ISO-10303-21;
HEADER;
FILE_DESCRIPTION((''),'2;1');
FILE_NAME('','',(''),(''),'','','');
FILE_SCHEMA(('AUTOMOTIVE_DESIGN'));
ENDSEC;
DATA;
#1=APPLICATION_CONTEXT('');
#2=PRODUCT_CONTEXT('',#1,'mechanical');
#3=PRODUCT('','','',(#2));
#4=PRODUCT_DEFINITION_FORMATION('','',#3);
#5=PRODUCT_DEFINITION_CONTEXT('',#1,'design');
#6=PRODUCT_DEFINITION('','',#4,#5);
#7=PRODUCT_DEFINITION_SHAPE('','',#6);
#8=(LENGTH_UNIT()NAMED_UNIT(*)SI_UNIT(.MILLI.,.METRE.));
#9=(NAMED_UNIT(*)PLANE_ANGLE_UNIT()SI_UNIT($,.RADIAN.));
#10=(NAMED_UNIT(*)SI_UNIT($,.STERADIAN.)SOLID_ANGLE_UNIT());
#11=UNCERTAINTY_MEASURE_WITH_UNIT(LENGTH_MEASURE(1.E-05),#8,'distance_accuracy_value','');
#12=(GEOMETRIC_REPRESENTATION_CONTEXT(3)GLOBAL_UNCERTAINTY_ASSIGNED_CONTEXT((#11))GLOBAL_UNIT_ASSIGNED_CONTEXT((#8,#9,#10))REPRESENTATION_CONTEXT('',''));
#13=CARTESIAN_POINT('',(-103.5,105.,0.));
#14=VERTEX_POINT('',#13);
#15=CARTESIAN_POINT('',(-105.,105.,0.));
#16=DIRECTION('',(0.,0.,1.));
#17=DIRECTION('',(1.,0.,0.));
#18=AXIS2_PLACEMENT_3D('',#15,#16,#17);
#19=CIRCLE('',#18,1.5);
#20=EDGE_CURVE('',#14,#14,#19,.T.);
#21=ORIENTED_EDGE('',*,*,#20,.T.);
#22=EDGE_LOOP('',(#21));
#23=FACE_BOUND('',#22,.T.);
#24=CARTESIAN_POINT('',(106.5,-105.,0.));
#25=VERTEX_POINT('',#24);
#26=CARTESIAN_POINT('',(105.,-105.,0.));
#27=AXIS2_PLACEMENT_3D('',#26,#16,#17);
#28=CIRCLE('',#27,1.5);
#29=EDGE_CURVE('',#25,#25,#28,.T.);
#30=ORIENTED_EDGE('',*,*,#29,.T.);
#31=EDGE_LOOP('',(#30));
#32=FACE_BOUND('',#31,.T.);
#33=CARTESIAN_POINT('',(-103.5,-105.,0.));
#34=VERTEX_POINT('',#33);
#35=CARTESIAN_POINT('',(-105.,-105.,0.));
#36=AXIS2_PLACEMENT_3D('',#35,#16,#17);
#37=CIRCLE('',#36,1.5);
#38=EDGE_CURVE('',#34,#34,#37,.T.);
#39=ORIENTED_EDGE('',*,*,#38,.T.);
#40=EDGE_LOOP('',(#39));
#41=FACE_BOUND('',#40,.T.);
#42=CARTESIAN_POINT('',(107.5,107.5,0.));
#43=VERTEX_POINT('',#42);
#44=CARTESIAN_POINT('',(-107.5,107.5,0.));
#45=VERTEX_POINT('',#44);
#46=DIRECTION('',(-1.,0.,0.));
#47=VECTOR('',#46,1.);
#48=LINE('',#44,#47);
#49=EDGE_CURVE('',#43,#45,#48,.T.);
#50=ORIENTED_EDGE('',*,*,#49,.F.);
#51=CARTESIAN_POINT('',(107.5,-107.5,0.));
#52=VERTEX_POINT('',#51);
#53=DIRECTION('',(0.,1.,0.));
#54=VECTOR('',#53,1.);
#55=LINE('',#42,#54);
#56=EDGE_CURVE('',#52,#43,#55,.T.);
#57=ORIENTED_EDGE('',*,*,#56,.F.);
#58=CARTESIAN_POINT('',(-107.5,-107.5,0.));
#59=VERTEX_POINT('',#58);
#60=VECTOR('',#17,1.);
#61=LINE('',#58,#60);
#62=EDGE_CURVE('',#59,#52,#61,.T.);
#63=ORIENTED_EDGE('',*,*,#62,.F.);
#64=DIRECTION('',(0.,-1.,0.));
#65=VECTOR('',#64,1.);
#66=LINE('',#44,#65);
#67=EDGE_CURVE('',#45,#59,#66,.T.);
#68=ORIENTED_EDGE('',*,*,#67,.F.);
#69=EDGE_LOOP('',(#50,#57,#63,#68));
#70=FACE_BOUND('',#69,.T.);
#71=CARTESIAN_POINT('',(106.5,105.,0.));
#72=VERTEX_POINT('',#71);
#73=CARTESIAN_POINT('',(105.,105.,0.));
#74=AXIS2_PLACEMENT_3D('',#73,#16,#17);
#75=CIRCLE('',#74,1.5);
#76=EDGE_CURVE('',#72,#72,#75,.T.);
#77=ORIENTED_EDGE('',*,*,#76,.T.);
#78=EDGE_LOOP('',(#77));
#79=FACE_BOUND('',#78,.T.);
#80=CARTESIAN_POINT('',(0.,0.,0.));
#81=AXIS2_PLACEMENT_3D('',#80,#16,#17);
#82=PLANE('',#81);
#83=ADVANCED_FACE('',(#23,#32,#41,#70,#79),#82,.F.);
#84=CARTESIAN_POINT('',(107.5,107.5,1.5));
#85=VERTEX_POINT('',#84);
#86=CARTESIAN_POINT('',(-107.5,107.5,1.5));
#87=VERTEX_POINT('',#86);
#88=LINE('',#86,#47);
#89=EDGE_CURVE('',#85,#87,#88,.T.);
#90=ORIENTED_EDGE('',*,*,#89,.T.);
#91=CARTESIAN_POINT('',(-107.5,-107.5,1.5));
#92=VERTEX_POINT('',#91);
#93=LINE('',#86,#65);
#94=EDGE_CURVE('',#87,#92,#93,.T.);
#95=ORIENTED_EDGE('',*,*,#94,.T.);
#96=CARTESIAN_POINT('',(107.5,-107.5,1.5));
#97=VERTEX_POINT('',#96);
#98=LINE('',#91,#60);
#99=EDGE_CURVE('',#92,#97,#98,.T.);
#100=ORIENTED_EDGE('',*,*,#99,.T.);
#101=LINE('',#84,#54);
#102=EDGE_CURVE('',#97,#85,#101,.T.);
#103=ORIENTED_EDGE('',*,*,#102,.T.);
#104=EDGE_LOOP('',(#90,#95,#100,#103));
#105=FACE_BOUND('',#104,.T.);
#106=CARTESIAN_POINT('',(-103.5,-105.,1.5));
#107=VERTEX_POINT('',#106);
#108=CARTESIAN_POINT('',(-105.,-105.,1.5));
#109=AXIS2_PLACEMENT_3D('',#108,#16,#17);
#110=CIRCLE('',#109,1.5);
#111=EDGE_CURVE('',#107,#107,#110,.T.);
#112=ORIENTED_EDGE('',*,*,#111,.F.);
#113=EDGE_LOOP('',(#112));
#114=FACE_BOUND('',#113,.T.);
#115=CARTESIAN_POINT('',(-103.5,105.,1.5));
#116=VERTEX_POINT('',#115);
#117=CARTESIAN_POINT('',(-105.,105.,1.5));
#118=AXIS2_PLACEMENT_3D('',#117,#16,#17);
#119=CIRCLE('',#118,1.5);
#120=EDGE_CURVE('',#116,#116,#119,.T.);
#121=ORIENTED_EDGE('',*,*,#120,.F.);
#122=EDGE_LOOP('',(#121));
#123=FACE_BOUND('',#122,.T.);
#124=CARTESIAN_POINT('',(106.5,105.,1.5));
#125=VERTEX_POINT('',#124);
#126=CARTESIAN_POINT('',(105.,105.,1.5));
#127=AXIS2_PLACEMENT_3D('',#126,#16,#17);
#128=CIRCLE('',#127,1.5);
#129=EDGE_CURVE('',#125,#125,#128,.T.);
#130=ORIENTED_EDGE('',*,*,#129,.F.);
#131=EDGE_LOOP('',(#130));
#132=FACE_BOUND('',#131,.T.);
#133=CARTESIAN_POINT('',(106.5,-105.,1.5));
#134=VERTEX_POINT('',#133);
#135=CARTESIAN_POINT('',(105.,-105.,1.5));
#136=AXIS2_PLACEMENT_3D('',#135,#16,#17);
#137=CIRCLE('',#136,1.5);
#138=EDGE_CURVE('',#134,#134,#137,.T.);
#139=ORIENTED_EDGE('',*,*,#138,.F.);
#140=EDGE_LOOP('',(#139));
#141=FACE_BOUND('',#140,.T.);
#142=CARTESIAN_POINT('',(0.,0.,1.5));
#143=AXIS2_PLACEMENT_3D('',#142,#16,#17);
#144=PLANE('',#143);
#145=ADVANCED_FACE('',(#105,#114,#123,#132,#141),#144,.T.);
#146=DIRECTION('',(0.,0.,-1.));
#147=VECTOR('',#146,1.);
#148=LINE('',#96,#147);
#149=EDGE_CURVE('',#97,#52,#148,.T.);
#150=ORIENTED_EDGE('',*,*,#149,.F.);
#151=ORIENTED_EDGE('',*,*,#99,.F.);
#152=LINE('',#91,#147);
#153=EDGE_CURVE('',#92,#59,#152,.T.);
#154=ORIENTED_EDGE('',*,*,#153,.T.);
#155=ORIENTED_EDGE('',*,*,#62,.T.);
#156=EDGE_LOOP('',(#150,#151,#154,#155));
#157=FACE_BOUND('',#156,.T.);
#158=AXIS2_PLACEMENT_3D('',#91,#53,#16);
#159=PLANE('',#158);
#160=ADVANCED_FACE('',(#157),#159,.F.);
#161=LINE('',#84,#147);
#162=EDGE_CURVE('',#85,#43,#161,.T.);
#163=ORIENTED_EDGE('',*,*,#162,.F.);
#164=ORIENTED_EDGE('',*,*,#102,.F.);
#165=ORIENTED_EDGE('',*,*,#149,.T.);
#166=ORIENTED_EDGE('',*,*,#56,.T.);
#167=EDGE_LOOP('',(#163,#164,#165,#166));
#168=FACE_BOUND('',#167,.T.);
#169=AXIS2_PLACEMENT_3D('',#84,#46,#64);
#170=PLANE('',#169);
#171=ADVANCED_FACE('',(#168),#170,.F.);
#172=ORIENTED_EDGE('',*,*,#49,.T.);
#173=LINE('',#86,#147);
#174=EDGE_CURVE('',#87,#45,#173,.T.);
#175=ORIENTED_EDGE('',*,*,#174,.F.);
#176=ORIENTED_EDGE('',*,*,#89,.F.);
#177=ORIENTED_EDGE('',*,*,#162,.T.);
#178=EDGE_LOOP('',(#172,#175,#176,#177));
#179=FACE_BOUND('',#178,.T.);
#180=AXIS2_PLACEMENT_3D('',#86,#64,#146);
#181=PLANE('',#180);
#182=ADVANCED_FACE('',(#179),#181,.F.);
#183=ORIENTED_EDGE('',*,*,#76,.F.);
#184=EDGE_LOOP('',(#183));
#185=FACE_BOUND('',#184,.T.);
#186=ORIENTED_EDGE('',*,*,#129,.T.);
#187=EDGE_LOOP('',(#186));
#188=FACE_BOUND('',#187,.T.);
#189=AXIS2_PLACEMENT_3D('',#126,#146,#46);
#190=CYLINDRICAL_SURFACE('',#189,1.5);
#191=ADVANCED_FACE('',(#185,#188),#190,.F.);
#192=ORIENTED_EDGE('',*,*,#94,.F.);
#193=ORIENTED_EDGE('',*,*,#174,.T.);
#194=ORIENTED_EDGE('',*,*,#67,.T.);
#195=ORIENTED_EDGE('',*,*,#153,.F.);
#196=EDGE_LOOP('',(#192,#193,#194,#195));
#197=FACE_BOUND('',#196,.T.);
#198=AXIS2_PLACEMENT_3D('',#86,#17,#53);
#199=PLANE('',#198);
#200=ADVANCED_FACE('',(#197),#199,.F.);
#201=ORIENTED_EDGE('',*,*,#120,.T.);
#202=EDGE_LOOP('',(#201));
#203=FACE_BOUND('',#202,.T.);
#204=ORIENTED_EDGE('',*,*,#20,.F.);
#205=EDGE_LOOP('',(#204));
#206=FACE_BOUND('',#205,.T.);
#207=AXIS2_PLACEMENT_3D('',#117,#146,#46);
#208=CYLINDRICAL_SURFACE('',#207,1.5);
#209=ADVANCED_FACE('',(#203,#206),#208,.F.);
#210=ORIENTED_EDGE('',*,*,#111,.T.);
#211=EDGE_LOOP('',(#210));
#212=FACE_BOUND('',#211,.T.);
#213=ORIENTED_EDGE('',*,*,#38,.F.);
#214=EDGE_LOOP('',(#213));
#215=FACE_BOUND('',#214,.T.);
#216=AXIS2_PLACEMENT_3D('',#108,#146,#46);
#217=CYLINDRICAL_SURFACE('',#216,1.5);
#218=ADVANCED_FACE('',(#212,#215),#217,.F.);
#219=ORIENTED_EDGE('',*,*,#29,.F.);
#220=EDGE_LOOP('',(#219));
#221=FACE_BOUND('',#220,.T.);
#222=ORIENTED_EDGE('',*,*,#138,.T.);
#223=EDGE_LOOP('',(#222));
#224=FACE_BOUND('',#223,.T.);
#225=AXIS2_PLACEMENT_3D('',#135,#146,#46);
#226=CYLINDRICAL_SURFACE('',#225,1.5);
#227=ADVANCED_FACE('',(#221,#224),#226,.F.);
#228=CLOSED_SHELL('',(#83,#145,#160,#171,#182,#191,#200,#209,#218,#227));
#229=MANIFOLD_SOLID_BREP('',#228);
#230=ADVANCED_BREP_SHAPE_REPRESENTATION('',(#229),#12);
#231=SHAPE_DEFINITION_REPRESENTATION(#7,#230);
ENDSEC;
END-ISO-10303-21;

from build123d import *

# Parameters (mm, degrees)
ESBO_O1_W                = 215
ESBO_O1_H                = 215
ESBO_O1_R                = 1.5
RESSALTO_EXTRUS_O1_DEPTH = 1.5


with BuildPart() as part:
    # Esboço1 → Ressalto-extrusão1 (new body)
    with BuildSketch(Plane.XY):
        Rectangle(ESBO_O1_W, ESBO_O1_H)
        with Locations((-105, 105)):
            Circle(ESBO_O1_R, mode=Mode.SUBTRACT)
        with Locations((105, 105)):
            Circle(ESBO_O1_R, mode=Mode.SUBTRACT)
        with Locations((105, -105)):
            Circle(ESBO_O1_R, mode=Mode.SUBTRACT)
        with Locations((-105, -105)):
            Circle(ESBO_O1_R, mode=Mode.SUBTRACT)
    extrude(amount=RESSALTO_EXTRUS_O1_DEPTH)


solid = part.part
